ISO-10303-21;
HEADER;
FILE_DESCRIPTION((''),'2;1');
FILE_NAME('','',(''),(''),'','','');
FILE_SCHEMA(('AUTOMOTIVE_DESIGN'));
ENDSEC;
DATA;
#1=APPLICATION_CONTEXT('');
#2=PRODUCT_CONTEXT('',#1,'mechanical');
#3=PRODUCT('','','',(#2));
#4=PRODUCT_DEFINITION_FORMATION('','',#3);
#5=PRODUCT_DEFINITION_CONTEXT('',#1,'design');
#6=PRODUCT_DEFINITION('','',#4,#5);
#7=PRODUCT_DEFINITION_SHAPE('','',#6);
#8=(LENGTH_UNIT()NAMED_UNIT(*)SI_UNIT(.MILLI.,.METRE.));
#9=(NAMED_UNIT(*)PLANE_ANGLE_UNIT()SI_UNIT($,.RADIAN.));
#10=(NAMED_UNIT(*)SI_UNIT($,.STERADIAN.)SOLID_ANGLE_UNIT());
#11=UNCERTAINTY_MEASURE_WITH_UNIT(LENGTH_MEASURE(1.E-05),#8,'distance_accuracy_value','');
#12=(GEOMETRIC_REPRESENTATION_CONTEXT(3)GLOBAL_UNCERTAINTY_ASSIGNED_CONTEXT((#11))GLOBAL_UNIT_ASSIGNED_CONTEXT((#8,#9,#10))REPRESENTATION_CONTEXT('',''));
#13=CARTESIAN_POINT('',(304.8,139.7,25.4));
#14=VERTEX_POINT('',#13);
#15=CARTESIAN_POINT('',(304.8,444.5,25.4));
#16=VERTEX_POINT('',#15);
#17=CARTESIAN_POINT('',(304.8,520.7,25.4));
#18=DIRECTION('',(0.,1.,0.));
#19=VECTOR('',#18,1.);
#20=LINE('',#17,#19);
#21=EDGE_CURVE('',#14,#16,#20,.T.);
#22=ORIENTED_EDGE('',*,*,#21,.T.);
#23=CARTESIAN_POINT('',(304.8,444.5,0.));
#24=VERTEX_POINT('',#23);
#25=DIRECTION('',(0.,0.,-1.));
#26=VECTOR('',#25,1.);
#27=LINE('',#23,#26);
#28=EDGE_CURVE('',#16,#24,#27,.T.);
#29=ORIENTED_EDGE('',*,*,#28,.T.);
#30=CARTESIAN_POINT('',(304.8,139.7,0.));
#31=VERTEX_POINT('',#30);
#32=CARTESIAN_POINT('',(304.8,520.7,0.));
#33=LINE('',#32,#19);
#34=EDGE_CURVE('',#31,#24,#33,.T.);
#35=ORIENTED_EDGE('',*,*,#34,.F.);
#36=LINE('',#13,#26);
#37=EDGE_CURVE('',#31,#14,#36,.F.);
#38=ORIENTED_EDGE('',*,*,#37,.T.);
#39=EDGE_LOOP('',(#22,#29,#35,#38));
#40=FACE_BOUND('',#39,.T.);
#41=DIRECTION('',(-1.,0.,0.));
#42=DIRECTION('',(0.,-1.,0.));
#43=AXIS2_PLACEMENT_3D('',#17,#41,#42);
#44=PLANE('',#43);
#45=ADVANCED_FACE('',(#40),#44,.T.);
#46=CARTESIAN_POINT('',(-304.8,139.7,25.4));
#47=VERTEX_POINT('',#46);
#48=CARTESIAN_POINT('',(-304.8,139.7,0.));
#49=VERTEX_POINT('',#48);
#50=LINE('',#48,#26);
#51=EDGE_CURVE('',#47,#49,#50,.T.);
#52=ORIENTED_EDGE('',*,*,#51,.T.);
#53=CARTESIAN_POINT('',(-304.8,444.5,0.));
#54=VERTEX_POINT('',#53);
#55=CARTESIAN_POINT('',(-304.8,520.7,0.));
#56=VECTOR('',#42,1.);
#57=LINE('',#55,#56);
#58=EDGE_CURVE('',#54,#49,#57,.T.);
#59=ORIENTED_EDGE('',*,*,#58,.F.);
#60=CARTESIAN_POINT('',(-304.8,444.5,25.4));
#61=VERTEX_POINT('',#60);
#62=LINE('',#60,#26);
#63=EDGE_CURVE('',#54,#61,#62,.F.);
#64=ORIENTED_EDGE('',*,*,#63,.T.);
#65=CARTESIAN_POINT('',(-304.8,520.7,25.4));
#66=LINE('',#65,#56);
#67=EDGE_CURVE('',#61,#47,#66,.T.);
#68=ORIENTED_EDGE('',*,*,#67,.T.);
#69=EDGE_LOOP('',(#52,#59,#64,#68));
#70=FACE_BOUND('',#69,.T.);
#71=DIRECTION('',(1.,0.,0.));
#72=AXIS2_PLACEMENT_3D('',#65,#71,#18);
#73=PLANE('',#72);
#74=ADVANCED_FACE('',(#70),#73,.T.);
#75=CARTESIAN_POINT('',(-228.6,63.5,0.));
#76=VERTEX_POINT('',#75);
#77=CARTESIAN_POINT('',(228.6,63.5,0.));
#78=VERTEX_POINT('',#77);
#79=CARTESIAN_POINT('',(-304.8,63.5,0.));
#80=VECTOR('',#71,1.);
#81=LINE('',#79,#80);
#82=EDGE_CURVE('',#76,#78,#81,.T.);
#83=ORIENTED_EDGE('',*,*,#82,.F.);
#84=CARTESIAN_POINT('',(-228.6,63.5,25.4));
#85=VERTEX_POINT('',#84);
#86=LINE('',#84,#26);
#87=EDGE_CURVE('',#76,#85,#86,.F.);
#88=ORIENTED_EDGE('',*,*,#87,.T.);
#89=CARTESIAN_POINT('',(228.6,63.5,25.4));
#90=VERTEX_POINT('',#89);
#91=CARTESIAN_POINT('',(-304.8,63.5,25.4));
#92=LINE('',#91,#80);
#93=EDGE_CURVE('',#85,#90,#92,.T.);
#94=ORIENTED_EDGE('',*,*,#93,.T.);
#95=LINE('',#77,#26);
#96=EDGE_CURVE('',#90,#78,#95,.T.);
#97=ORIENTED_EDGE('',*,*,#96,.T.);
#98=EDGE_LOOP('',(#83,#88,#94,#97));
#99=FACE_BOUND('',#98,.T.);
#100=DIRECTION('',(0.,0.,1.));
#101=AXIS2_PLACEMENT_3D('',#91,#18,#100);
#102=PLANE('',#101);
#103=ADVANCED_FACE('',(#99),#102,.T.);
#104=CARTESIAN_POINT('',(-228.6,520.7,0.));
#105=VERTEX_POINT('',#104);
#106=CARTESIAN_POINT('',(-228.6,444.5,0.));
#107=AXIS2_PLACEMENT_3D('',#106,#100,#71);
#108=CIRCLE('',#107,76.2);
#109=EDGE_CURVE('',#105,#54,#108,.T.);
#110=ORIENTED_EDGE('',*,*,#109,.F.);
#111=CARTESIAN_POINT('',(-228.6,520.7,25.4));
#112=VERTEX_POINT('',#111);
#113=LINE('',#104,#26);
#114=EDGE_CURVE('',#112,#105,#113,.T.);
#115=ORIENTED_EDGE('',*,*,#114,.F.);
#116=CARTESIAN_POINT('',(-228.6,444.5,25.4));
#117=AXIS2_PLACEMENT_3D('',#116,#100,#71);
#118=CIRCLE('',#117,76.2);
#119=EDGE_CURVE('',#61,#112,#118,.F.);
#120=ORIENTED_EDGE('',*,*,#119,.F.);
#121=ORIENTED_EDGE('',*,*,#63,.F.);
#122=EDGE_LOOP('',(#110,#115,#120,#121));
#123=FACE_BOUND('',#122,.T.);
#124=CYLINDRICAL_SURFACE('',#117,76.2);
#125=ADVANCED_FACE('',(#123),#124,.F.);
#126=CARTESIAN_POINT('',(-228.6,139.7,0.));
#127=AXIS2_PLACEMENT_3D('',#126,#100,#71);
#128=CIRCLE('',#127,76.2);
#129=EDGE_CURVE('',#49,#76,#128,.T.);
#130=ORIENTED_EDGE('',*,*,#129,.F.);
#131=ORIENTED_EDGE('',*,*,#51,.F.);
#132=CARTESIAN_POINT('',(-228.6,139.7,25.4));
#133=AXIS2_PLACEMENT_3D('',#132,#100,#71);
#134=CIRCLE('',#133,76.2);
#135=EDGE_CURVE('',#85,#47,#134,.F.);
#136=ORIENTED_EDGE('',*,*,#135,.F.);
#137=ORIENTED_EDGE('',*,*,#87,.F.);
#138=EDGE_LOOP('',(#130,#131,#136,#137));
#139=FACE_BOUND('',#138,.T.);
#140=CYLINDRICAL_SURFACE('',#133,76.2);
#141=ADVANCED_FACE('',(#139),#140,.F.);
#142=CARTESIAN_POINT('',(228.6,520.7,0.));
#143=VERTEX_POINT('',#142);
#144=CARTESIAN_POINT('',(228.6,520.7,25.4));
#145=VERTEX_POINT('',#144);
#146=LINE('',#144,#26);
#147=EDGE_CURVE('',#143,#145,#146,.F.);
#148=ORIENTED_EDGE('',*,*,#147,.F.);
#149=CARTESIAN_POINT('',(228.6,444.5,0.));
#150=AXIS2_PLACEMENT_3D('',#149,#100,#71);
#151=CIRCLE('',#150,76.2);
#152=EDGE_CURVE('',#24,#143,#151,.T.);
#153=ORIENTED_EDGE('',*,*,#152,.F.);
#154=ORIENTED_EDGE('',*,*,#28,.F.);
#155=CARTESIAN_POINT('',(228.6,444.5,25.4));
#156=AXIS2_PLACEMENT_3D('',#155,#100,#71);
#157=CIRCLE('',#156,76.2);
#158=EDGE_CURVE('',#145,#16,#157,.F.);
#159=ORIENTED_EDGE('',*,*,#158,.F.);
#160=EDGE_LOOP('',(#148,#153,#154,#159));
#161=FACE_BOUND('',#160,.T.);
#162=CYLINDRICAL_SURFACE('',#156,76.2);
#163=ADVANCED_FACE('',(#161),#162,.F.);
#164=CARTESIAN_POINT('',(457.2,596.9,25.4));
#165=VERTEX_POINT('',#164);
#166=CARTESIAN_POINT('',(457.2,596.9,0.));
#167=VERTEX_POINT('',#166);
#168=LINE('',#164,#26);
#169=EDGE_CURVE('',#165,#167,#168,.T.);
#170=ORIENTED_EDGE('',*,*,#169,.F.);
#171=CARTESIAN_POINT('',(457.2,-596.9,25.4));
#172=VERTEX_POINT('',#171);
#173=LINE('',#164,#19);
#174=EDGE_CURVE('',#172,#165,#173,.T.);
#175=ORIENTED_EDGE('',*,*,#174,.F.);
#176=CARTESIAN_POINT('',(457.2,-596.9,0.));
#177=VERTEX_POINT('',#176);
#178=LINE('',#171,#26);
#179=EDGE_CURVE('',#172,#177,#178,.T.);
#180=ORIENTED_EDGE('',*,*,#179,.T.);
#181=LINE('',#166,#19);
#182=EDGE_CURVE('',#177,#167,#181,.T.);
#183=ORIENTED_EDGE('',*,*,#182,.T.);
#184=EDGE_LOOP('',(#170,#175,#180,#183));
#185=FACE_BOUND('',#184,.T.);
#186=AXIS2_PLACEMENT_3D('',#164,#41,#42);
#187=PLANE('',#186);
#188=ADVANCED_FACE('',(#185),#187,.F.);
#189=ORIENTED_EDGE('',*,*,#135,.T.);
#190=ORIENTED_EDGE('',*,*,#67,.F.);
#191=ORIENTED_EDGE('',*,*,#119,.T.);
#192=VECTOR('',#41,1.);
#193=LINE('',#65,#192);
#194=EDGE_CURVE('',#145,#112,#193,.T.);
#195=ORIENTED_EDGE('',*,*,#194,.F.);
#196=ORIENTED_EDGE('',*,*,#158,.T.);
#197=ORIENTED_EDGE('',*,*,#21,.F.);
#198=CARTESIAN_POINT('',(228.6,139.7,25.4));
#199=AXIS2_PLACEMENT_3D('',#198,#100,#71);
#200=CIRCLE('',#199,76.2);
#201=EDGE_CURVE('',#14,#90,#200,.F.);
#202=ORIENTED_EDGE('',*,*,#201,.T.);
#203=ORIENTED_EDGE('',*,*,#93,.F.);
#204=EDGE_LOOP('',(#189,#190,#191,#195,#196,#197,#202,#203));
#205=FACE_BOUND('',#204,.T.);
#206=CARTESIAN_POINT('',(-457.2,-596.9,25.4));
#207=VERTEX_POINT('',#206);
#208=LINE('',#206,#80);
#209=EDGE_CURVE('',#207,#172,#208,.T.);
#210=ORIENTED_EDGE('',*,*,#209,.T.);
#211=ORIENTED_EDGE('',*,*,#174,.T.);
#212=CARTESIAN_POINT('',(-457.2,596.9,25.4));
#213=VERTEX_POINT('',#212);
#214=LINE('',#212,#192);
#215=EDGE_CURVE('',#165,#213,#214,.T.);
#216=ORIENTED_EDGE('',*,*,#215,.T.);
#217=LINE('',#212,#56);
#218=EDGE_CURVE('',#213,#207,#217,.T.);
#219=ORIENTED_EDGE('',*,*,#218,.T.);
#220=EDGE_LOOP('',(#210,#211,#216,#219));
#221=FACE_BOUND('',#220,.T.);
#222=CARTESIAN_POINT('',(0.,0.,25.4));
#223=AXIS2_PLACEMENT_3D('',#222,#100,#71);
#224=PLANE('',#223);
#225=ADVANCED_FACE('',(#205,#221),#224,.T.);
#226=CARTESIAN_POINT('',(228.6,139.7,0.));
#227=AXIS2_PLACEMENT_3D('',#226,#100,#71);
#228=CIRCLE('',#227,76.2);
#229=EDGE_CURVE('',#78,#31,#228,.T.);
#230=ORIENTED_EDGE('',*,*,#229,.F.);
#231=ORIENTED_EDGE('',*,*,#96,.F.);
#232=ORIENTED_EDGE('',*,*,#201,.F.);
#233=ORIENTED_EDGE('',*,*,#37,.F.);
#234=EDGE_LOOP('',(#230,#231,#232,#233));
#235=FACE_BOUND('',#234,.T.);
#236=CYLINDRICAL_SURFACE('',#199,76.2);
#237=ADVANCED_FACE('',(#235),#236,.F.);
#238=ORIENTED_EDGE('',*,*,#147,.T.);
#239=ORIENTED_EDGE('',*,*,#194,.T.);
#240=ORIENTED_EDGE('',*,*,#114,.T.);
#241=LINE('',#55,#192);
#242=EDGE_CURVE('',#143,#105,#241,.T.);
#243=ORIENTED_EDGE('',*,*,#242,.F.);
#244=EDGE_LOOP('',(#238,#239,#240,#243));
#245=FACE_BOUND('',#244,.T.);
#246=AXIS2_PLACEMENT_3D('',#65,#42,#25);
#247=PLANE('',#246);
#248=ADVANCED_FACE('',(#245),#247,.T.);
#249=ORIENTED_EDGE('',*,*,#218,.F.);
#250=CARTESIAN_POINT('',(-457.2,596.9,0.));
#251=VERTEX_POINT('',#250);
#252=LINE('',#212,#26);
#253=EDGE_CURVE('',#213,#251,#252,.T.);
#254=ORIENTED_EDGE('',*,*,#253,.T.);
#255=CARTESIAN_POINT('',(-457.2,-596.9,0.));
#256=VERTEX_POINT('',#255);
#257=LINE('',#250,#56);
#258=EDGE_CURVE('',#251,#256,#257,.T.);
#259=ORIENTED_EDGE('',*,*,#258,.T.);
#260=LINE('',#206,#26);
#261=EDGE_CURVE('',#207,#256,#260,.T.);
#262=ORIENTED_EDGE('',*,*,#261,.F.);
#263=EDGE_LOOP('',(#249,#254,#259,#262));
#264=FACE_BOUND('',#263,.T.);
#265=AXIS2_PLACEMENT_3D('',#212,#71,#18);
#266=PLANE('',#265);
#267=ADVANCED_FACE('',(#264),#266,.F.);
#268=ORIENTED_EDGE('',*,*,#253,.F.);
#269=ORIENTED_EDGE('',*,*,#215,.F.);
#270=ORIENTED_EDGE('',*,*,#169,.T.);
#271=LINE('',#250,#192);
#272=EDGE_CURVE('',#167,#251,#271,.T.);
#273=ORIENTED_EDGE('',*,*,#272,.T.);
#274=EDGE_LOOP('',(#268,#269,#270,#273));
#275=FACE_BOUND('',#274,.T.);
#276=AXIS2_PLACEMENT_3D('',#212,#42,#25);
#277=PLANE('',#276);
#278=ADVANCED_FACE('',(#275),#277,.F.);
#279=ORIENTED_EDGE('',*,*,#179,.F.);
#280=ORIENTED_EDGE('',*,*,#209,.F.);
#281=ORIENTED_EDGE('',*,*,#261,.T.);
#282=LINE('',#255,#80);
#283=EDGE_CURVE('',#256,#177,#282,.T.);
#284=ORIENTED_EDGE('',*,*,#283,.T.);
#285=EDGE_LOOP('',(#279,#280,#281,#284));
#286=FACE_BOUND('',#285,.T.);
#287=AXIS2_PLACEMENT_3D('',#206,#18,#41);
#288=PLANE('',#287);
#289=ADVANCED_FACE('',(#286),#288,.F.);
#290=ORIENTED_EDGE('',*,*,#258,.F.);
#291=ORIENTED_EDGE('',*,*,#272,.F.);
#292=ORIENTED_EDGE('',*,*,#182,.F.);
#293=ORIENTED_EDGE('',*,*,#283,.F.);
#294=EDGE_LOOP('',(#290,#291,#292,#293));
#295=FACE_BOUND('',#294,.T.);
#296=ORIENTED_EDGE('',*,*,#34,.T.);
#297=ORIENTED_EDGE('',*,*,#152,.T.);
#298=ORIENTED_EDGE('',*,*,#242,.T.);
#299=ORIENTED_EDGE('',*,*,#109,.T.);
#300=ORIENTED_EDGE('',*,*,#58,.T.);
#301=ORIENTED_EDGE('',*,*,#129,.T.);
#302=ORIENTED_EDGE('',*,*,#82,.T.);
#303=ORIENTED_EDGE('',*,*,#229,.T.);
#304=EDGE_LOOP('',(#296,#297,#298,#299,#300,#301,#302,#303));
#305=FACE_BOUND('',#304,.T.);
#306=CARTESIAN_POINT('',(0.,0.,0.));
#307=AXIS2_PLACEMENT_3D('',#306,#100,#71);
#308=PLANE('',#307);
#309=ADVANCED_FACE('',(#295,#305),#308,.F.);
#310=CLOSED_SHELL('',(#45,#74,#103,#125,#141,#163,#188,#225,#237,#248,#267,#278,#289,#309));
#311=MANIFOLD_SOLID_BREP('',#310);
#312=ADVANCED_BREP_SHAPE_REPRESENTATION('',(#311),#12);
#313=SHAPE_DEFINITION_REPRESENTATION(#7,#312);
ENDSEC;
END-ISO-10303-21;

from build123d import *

# Parameters (mm, degrees)
SKETCH1_W           = 914.4
SKETCH1_H           = 1193.8
SKETCH1_W_2         = 609.6
SKETCH1_H_2         = 457.2
BOSS_EXTRUDE1_DEPTH = 25.4
FILLET1_R           = 76.2


with BuildPart() as part:
    # Sketch1 → Boss-Extrude1 (new body)
    with BuildSketch(Plane.XY):
        Rectangle(SKETCH1_W, SKETCH1_H)
        with Locations((0, 292.1)):
            Rectangle(SKETCH1_W_2, SKETCH1_H_2, mode=Mode.SUBTRACT)
    extrude(amount=BOSS_EXTRUDE1_DEPTH)

    # Fillet1
    fillet1_edges = [part.edges().sort_by_distance(p)[0] for p in [
        (304.8, 63.5, 12.7),
        (304.8, 520.7, 12.7),
        (-304.8, 520.7, 12.7),
        (-304.8, 63.5, 12.7),
    ]]
    fillet(fillet1_edges, radius=FILLET1_R)


solid = part.part
